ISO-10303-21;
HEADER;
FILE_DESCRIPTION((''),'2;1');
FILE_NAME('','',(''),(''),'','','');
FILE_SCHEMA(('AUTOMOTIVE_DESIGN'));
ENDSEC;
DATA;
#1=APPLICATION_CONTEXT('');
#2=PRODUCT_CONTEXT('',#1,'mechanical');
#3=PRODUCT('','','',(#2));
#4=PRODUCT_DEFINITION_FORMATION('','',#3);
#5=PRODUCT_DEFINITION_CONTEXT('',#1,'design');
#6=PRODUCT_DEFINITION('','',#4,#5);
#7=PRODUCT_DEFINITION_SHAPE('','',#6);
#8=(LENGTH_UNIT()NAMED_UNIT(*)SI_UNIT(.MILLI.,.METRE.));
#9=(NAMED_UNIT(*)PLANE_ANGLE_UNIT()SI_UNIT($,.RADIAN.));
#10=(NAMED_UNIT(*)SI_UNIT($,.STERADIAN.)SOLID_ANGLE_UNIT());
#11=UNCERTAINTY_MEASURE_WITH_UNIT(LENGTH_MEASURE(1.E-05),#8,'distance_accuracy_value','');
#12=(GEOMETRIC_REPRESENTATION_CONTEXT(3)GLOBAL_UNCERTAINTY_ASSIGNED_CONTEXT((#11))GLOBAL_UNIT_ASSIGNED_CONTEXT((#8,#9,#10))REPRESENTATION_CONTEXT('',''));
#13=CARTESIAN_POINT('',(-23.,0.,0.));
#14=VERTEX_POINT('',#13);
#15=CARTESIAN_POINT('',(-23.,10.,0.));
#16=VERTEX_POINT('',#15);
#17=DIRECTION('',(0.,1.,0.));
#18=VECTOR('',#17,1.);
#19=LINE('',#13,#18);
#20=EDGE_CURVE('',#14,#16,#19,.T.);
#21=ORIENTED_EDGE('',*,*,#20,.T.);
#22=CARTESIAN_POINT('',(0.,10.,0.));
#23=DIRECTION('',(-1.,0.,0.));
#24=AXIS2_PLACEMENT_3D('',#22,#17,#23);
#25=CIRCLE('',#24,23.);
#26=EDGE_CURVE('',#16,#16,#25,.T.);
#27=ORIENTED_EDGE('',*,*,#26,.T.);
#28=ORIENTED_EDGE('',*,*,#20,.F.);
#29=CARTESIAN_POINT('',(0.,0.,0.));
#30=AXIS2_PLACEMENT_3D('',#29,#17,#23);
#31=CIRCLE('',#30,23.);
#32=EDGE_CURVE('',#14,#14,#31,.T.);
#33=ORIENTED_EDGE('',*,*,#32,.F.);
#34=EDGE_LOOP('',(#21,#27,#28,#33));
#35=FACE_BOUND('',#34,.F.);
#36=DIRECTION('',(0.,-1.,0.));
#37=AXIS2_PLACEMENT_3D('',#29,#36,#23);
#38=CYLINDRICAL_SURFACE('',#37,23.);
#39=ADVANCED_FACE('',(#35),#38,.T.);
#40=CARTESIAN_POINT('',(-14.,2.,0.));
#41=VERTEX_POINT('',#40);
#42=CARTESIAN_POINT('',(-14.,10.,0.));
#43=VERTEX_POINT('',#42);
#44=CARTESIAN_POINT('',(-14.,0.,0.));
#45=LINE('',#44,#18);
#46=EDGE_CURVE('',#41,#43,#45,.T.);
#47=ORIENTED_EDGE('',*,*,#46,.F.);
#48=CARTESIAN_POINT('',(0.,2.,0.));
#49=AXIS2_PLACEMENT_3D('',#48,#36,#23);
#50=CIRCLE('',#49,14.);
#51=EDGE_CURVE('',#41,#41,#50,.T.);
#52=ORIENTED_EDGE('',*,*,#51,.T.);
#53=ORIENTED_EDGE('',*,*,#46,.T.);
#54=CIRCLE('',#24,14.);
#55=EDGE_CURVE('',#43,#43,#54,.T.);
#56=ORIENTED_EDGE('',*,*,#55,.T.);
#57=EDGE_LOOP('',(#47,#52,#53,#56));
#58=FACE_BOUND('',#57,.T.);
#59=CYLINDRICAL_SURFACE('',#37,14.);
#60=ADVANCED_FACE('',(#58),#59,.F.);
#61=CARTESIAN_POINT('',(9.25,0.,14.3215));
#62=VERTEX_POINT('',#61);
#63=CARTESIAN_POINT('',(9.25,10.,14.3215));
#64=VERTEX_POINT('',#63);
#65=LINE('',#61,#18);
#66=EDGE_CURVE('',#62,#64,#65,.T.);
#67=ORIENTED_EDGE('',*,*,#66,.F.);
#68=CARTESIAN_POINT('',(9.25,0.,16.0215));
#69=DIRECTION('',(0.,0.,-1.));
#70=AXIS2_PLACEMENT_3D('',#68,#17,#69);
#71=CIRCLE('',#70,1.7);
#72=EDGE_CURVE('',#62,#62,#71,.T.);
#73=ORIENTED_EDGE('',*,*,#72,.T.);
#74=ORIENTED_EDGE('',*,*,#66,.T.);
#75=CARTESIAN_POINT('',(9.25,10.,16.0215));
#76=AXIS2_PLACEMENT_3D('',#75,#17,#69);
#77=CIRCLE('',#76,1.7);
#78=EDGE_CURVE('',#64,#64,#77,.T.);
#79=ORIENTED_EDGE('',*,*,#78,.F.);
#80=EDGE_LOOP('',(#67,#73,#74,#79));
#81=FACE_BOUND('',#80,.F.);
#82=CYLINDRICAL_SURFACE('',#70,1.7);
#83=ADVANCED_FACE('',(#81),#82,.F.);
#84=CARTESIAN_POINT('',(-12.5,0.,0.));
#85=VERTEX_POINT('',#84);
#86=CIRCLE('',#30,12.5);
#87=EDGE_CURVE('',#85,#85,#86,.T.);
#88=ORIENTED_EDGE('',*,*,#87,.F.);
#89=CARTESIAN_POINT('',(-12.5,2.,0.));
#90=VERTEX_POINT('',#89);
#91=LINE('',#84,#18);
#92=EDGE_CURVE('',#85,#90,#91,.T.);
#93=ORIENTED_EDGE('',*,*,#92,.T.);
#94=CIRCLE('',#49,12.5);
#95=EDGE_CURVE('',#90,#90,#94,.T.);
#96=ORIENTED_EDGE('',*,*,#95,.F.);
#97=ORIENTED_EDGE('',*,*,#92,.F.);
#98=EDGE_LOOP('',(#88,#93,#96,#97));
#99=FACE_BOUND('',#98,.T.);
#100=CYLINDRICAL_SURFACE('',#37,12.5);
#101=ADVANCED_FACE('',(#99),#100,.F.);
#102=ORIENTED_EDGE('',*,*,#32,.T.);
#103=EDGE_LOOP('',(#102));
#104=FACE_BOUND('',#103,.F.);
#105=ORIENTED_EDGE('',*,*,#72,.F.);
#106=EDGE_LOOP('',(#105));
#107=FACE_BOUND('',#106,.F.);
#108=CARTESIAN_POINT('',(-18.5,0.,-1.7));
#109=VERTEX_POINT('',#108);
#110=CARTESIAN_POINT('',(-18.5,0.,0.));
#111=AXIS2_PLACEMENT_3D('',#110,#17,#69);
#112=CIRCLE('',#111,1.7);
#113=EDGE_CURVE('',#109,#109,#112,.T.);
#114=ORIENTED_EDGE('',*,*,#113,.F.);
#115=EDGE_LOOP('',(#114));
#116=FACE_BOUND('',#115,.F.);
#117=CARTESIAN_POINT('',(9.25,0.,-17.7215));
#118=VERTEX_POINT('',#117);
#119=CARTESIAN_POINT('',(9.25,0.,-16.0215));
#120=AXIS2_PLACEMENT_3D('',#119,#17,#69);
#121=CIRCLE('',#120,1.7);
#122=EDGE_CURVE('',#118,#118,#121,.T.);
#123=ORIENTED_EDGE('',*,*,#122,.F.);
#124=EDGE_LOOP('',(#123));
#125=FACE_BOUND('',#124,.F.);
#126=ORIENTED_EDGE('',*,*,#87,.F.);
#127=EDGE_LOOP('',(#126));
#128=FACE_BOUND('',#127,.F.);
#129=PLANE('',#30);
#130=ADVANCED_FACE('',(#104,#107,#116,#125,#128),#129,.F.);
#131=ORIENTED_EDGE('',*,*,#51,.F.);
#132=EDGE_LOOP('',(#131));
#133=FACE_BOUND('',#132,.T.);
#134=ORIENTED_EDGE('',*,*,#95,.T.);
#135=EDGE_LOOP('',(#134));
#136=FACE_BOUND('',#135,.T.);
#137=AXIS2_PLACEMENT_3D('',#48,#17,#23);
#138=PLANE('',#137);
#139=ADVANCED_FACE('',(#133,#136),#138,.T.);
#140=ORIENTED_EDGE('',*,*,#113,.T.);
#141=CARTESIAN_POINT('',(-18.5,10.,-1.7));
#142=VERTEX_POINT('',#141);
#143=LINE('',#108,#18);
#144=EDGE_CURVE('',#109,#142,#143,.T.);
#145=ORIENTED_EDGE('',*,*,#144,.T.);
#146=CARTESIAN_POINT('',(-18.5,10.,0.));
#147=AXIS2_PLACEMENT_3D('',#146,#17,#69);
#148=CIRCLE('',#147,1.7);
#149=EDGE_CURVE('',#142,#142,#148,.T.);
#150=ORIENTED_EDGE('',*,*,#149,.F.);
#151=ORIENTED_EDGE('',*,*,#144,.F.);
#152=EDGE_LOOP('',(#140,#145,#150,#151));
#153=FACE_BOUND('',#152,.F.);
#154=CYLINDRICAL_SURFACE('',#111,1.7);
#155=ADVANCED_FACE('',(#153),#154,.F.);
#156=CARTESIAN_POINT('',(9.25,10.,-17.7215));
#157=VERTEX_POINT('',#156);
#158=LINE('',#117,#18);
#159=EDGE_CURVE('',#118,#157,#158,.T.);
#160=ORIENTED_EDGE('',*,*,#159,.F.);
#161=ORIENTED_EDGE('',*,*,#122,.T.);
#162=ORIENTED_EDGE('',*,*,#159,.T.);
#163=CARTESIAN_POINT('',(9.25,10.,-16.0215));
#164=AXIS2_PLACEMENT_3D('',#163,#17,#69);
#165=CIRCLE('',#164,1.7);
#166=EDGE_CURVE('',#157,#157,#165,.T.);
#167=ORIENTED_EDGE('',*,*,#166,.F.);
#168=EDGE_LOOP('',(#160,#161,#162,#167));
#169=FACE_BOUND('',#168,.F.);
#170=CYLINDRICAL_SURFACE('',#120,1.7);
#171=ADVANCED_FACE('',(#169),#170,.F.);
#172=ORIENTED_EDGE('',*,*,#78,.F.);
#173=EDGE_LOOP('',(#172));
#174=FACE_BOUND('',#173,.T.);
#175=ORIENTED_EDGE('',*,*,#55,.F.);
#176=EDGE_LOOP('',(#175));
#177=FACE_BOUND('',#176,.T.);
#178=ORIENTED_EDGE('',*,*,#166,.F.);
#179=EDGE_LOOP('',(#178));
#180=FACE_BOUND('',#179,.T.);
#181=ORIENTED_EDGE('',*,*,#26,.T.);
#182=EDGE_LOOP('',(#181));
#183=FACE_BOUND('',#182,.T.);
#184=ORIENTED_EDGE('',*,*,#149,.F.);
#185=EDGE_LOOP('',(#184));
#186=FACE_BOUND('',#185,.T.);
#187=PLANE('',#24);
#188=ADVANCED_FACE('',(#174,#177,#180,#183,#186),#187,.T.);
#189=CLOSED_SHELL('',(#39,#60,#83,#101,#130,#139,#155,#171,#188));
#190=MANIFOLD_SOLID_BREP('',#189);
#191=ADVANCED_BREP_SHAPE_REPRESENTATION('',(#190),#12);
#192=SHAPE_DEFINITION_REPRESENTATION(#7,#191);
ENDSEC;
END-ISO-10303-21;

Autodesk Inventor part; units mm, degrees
ref_plane "YZ Plane" through (0, 0, 0) normal (1, 0, 0) x (0, 1, 0)
ref_plane "XZ Plane" through (0, 0, 0) normal (0, 1, 0) x (-1, 0, 0)
ref_plane "XY Plane" through (0, 0, 0) normal (0, 0, 1) x (1, 0, 0)
sketch "Sketch1" plane through (0, 0, 0) normal (0, 1, 0) x (-1, 0, 0)
  circle A0 centre (0, 0) radius 14
  circle A1 centre (0, 0) radius 23
  line L0 (18.5, 0) -> (-9.25, -16.0215)
  line L1 (-9.25, -16.0215) -> (-9.25, 16.0215)
  line L2 (-9.25, 16.0215) -> (18.5, 0)
  circle A2 centre (0, 0) radius 12.5
  dimension "d0" = 28
  dimension "d1" = 46
  dimension "d2" = 18.5
  dimension "d3" = 25
extrude "Extrusion1" add sketch "Sketch1" along normal blind 10 contours A0 L2 L0 | A0 L1 L2 | L0 L1 A0 | A1
extrude "Extrusion2" add sketch "Sketch1" along normal blind 2 contours A0 L0 A2 L2 | L2 A2 A0 | A0 L0 A2 | L2 A2 L1 A0 | A0 L1 A2 L0 | L1 A2 A0
hole "Hole1" at (-18.5, 0, 0) at (9.25, 0, 16.0215) at (9.25, 0, -16.0215) direction (0, 1, 0) diameter 3.4 end through all clearance for "Countersunk Flat Head Screw ISO 2009/7046" size "M3" standard "ISO"
properties part number "cazoleta"
